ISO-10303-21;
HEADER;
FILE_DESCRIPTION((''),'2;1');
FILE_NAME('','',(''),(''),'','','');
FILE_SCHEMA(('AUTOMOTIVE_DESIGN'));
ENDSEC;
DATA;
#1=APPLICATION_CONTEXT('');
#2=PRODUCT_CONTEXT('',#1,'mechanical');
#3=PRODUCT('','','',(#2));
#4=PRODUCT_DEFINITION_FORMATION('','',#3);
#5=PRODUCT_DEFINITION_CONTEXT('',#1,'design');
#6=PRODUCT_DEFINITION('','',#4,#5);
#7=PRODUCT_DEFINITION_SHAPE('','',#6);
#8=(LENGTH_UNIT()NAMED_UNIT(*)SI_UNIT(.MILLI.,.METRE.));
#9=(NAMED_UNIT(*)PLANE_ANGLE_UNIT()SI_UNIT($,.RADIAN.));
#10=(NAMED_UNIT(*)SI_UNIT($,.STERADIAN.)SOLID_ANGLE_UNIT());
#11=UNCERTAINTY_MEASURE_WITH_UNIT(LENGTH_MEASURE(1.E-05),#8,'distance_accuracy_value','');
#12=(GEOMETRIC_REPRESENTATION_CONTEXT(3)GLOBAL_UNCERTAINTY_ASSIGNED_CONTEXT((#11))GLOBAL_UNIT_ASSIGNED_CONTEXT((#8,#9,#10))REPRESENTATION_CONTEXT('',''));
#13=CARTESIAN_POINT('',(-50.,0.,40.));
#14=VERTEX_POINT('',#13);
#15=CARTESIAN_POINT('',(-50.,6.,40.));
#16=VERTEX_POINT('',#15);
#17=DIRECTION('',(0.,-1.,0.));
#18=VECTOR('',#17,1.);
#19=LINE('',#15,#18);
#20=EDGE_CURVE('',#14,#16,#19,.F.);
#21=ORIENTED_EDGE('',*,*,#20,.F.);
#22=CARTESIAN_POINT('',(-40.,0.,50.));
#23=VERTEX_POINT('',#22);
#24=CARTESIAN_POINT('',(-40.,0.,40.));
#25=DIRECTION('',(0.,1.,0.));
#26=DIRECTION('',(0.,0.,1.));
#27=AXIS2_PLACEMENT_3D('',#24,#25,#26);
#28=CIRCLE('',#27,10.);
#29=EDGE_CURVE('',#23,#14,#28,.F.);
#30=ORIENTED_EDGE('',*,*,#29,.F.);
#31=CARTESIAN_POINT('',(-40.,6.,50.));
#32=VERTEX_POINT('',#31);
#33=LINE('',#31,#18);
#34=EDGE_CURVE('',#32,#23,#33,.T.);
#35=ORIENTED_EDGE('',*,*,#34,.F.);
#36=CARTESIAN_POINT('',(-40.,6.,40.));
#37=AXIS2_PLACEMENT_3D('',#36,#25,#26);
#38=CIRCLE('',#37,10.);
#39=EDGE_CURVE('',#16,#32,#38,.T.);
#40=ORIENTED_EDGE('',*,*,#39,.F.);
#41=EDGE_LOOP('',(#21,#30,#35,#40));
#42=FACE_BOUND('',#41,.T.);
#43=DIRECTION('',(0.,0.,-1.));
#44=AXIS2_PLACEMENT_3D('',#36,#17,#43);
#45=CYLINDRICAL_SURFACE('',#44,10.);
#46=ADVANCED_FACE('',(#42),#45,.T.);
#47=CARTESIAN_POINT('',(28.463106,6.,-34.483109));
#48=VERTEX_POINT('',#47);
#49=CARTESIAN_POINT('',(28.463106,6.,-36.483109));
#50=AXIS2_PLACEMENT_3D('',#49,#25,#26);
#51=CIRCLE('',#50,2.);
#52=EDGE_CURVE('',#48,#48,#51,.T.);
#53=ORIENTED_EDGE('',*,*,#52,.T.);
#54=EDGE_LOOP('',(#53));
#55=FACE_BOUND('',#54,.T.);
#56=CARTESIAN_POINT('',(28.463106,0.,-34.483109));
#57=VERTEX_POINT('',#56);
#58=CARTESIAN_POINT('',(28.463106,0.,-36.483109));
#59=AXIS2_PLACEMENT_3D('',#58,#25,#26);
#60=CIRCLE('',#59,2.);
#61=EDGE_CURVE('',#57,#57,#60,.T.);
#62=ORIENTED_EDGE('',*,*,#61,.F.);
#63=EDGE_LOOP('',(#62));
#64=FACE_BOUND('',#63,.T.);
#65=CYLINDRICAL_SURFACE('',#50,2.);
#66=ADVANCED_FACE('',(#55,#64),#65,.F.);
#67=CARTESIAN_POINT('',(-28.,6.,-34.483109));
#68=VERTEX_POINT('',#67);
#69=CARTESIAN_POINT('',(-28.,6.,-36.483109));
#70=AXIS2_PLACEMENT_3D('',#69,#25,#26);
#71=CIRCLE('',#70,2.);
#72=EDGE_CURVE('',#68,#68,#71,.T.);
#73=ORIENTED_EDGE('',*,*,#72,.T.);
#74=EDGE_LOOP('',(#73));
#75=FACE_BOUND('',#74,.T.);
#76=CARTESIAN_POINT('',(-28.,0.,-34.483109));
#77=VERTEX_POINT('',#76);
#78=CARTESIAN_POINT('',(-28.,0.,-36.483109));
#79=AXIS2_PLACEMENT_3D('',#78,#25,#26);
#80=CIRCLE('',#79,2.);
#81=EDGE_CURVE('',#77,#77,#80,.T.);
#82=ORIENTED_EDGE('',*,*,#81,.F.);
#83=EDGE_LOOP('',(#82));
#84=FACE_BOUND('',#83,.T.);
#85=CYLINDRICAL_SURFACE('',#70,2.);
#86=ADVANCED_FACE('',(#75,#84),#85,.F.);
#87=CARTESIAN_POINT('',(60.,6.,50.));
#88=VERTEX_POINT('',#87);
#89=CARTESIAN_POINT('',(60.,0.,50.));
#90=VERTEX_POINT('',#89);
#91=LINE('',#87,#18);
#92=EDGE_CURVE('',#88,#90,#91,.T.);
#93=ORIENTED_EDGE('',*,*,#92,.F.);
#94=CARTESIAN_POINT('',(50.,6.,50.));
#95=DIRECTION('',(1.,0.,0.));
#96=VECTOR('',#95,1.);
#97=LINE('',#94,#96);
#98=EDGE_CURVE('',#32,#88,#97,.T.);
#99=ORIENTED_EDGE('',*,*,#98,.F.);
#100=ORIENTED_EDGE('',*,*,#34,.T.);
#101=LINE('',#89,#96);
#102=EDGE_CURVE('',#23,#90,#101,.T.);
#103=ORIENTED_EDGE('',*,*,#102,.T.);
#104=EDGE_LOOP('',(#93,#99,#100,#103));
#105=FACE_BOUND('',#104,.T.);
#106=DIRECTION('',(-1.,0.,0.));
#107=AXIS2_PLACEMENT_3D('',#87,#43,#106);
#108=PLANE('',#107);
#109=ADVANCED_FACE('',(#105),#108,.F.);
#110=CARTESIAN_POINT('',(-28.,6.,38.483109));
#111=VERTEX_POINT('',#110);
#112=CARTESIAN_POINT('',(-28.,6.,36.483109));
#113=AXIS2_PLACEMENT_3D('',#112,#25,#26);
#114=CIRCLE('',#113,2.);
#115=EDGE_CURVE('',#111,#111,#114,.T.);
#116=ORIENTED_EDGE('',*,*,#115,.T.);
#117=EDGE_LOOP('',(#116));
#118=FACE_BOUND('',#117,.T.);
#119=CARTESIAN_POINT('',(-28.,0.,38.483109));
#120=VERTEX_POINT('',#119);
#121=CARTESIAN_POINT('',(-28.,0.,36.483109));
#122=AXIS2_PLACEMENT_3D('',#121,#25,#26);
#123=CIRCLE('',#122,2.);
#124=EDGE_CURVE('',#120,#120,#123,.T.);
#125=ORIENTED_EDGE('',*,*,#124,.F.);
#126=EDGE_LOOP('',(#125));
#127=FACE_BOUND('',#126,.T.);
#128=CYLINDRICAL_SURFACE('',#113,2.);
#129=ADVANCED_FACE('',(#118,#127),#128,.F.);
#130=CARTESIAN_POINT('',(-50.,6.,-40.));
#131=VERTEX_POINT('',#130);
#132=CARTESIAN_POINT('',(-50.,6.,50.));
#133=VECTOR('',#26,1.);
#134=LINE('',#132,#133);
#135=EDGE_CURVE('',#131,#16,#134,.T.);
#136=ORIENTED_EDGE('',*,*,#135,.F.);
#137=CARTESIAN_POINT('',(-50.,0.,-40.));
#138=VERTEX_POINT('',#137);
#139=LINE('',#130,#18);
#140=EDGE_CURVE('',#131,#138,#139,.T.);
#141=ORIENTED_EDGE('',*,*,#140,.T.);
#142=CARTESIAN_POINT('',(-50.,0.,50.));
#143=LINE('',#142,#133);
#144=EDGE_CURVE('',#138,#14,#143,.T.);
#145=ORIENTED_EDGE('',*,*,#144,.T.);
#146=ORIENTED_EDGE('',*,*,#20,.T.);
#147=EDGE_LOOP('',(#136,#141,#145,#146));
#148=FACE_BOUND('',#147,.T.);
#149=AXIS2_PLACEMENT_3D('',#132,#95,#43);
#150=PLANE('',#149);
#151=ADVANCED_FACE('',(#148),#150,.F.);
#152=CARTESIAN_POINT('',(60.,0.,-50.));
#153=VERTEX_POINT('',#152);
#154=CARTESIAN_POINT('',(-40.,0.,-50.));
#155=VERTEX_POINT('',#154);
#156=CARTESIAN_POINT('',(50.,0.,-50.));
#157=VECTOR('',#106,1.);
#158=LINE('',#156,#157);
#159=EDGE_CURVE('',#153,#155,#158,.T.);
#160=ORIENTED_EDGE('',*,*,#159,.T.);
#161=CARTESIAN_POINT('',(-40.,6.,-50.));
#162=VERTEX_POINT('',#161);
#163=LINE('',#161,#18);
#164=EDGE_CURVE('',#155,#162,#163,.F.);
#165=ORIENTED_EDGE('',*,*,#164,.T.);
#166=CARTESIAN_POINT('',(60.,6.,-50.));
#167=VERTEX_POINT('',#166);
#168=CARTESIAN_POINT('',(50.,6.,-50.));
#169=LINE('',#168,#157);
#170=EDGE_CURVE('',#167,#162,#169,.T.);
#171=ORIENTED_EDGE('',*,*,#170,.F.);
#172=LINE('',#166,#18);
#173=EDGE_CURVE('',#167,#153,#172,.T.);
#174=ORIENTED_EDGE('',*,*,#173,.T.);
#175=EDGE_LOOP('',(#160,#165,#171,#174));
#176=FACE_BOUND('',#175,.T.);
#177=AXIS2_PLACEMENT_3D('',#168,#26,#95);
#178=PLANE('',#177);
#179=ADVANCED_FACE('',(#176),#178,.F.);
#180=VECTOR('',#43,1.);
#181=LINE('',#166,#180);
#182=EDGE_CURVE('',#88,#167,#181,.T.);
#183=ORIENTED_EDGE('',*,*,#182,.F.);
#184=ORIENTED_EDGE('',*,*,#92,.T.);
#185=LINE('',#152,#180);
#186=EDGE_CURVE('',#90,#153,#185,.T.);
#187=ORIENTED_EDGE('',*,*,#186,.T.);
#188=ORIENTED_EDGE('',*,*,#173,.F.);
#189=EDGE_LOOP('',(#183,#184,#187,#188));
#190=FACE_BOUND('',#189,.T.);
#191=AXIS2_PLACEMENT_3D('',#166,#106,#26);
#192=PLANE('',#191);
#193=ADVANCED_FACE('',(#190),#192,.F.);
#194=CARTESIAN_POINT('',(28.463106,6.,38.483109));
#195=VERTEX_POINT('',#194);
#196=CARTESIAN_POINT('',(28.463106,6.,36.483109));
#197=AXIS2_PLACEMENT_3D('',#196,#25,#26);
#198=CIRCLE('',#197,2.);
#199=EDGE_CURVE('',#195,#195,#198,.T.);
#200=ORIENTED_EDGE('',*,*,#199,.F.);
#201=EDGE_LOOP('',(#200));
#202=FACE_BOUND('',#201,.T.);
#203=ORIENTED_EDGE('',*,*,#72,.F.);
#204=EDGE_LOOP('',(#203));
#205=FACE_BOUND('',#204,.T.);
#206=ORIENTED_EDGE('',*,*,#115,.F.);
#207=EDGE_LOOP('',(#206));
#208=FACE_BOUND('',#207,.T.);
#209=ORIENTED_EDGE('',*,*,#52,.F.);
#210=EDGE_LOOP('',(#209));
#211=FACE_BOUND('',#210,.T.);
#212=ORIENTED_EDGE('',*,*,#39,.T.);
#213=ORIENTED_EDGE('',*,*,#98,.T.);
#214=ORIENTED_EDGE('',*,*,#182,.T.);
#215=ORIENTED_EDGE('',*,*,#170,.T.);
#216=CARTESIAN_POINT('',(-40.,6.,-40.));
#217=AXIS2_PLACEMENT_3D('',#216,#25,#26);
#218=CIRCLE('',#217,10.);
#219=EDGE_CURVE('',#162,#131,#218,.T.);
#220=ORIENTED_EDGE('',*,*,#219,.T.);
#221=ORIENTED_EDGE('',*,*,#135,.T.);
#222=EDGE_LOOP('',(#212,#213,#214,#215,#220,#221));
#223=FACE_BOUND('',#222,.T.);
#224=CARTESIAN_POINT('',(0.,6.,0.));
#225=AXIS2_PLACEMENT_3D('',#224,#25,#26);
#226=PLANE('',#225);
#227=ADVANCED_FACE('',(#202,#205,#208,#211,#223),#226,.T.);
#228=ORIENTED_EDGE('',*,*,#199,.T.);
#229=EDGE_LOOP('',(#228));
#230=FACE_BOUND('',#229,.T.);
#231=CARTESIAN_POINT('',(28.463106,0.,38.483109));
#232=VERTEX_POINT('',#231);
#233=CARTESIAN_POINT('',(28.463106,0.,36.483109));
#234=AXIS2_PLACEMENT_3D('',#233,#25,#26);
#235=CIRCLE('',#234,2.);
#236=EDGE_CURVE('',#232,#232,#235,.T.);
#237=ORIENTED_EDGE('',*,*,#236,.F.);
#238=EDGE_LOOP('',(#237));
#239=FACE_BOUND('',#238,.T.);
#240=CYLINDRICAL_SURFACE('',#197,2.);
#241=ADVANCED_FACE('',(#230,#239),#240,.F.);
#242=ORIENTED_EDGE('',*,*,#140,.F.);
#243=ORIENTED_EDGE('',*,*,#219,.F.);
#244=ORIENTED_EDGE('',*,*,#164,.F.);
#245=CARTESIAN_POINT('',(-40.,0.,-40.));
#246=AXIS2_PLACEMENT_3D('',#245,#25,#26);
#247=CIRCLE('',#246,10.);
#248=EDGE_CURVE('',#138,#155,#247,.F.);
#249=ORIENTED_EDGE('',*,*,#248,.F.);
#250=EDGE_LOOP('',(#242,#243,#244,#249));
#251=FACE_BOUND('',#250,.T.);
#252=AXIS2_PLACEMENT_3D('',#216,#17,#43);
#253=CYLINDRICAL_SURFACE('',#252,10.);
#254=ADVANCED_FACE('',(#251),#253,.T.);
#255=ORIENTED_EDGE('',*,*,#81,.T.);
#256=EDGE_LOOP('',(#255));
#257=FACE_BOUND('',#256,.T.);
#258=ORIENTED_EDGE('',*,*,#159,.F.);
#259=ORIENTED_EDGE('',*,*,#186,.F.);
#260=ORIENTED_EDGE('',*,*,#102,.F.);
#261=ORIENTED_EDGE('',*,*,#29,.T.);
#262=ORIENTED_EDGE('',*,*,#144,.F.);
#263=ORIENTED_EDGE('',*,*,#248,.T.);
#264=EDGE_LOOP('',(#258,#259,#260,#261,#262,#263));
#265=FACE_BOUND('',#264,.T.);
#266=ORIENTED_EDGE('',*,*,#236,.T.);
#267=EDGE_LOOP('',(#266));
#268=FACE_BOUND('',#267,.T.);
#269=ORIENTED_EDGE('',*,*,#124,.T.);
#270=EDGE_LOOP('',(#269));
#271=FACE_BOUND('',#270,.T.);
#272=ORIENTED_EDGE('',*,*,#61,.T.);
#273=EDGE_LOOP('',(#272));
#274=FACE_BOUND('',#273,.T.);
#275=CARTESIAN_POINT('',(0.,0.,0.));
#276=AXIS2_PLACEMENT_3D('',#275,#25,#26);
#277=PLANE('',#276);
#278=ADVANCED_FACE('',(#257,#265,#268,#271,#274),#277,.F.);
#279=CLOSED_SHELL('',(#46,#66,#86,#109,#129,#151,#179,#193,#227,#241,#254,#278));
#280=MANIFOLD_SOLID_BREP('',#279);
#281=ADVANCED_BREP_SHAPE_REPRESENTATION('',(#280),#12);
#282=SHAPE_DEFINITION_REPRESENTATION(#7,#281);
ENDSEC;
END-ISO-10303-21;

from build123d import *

# Parameters (mm, degrees)
BOSS_EXTRUDE1_DEPTH       = 6
FILLET1_R                 = 10
F_4_0MM_DOWEL_HOLE1_D     = 4
F_4_0MM_DOWEL_HOLE1_DEPTH = 98.31
F_4_0MM_DOWEL_HOLE1_TIP   = 1.201721238


with BuildPart() as part:
    # Sketch1 → Boss-Extrude1 (new body)
    with BuildSketch(Plane(origin=(0, 0, 0), x_dir=(1, 0, 0), z_dir=(0, 1, 0))):
        Polygon((50, 50), (60, 50), (60, -50), (50, -50), (-50, -50), (-50, 50), align=None)
    extrude(amount=BOSS_EXTRUDE1_DEPTH)

    # Fillet1
    fillet1_edges = [part.edges().sort_by_distance(p)[0] for p in [
        (-50, 3, -50),
        (-50, 3, 50),
    ]]
    fillet(fillet1_edges, radius=FILLET1_R)

    # Ø4.0mm Dowel Hole1
    with Locations(Plane(origin=(0, 6, 0), x_dir=(1, 0, 0), z_dir=(0, 1, 0))):
        with Locations((-28, 36.483109463), (28.463106056, 36.483109463), (-28, -36.483109463), (28.463106056, -36.483109463)):
            Hole(F_4_0MM_DOWEL_HOLE1_D / 2, depth=F_4_0MM_DOWEL_HOLE1_DEPTH)
            with Locations((0, 0, -(F_4_0MM_DOWEL_HOLE1_DEPTH + F_4_0MM_DOWEL_HOLE1_TIP / 2))):  # 118° drill point
                Cone(0, F_4_0MM_DOWEL_HOLE1_D / 2, F_4_0MM_DOWEL_HOLE1_TIP, mode=Mode.SUBTRACT)


solid = part.part
